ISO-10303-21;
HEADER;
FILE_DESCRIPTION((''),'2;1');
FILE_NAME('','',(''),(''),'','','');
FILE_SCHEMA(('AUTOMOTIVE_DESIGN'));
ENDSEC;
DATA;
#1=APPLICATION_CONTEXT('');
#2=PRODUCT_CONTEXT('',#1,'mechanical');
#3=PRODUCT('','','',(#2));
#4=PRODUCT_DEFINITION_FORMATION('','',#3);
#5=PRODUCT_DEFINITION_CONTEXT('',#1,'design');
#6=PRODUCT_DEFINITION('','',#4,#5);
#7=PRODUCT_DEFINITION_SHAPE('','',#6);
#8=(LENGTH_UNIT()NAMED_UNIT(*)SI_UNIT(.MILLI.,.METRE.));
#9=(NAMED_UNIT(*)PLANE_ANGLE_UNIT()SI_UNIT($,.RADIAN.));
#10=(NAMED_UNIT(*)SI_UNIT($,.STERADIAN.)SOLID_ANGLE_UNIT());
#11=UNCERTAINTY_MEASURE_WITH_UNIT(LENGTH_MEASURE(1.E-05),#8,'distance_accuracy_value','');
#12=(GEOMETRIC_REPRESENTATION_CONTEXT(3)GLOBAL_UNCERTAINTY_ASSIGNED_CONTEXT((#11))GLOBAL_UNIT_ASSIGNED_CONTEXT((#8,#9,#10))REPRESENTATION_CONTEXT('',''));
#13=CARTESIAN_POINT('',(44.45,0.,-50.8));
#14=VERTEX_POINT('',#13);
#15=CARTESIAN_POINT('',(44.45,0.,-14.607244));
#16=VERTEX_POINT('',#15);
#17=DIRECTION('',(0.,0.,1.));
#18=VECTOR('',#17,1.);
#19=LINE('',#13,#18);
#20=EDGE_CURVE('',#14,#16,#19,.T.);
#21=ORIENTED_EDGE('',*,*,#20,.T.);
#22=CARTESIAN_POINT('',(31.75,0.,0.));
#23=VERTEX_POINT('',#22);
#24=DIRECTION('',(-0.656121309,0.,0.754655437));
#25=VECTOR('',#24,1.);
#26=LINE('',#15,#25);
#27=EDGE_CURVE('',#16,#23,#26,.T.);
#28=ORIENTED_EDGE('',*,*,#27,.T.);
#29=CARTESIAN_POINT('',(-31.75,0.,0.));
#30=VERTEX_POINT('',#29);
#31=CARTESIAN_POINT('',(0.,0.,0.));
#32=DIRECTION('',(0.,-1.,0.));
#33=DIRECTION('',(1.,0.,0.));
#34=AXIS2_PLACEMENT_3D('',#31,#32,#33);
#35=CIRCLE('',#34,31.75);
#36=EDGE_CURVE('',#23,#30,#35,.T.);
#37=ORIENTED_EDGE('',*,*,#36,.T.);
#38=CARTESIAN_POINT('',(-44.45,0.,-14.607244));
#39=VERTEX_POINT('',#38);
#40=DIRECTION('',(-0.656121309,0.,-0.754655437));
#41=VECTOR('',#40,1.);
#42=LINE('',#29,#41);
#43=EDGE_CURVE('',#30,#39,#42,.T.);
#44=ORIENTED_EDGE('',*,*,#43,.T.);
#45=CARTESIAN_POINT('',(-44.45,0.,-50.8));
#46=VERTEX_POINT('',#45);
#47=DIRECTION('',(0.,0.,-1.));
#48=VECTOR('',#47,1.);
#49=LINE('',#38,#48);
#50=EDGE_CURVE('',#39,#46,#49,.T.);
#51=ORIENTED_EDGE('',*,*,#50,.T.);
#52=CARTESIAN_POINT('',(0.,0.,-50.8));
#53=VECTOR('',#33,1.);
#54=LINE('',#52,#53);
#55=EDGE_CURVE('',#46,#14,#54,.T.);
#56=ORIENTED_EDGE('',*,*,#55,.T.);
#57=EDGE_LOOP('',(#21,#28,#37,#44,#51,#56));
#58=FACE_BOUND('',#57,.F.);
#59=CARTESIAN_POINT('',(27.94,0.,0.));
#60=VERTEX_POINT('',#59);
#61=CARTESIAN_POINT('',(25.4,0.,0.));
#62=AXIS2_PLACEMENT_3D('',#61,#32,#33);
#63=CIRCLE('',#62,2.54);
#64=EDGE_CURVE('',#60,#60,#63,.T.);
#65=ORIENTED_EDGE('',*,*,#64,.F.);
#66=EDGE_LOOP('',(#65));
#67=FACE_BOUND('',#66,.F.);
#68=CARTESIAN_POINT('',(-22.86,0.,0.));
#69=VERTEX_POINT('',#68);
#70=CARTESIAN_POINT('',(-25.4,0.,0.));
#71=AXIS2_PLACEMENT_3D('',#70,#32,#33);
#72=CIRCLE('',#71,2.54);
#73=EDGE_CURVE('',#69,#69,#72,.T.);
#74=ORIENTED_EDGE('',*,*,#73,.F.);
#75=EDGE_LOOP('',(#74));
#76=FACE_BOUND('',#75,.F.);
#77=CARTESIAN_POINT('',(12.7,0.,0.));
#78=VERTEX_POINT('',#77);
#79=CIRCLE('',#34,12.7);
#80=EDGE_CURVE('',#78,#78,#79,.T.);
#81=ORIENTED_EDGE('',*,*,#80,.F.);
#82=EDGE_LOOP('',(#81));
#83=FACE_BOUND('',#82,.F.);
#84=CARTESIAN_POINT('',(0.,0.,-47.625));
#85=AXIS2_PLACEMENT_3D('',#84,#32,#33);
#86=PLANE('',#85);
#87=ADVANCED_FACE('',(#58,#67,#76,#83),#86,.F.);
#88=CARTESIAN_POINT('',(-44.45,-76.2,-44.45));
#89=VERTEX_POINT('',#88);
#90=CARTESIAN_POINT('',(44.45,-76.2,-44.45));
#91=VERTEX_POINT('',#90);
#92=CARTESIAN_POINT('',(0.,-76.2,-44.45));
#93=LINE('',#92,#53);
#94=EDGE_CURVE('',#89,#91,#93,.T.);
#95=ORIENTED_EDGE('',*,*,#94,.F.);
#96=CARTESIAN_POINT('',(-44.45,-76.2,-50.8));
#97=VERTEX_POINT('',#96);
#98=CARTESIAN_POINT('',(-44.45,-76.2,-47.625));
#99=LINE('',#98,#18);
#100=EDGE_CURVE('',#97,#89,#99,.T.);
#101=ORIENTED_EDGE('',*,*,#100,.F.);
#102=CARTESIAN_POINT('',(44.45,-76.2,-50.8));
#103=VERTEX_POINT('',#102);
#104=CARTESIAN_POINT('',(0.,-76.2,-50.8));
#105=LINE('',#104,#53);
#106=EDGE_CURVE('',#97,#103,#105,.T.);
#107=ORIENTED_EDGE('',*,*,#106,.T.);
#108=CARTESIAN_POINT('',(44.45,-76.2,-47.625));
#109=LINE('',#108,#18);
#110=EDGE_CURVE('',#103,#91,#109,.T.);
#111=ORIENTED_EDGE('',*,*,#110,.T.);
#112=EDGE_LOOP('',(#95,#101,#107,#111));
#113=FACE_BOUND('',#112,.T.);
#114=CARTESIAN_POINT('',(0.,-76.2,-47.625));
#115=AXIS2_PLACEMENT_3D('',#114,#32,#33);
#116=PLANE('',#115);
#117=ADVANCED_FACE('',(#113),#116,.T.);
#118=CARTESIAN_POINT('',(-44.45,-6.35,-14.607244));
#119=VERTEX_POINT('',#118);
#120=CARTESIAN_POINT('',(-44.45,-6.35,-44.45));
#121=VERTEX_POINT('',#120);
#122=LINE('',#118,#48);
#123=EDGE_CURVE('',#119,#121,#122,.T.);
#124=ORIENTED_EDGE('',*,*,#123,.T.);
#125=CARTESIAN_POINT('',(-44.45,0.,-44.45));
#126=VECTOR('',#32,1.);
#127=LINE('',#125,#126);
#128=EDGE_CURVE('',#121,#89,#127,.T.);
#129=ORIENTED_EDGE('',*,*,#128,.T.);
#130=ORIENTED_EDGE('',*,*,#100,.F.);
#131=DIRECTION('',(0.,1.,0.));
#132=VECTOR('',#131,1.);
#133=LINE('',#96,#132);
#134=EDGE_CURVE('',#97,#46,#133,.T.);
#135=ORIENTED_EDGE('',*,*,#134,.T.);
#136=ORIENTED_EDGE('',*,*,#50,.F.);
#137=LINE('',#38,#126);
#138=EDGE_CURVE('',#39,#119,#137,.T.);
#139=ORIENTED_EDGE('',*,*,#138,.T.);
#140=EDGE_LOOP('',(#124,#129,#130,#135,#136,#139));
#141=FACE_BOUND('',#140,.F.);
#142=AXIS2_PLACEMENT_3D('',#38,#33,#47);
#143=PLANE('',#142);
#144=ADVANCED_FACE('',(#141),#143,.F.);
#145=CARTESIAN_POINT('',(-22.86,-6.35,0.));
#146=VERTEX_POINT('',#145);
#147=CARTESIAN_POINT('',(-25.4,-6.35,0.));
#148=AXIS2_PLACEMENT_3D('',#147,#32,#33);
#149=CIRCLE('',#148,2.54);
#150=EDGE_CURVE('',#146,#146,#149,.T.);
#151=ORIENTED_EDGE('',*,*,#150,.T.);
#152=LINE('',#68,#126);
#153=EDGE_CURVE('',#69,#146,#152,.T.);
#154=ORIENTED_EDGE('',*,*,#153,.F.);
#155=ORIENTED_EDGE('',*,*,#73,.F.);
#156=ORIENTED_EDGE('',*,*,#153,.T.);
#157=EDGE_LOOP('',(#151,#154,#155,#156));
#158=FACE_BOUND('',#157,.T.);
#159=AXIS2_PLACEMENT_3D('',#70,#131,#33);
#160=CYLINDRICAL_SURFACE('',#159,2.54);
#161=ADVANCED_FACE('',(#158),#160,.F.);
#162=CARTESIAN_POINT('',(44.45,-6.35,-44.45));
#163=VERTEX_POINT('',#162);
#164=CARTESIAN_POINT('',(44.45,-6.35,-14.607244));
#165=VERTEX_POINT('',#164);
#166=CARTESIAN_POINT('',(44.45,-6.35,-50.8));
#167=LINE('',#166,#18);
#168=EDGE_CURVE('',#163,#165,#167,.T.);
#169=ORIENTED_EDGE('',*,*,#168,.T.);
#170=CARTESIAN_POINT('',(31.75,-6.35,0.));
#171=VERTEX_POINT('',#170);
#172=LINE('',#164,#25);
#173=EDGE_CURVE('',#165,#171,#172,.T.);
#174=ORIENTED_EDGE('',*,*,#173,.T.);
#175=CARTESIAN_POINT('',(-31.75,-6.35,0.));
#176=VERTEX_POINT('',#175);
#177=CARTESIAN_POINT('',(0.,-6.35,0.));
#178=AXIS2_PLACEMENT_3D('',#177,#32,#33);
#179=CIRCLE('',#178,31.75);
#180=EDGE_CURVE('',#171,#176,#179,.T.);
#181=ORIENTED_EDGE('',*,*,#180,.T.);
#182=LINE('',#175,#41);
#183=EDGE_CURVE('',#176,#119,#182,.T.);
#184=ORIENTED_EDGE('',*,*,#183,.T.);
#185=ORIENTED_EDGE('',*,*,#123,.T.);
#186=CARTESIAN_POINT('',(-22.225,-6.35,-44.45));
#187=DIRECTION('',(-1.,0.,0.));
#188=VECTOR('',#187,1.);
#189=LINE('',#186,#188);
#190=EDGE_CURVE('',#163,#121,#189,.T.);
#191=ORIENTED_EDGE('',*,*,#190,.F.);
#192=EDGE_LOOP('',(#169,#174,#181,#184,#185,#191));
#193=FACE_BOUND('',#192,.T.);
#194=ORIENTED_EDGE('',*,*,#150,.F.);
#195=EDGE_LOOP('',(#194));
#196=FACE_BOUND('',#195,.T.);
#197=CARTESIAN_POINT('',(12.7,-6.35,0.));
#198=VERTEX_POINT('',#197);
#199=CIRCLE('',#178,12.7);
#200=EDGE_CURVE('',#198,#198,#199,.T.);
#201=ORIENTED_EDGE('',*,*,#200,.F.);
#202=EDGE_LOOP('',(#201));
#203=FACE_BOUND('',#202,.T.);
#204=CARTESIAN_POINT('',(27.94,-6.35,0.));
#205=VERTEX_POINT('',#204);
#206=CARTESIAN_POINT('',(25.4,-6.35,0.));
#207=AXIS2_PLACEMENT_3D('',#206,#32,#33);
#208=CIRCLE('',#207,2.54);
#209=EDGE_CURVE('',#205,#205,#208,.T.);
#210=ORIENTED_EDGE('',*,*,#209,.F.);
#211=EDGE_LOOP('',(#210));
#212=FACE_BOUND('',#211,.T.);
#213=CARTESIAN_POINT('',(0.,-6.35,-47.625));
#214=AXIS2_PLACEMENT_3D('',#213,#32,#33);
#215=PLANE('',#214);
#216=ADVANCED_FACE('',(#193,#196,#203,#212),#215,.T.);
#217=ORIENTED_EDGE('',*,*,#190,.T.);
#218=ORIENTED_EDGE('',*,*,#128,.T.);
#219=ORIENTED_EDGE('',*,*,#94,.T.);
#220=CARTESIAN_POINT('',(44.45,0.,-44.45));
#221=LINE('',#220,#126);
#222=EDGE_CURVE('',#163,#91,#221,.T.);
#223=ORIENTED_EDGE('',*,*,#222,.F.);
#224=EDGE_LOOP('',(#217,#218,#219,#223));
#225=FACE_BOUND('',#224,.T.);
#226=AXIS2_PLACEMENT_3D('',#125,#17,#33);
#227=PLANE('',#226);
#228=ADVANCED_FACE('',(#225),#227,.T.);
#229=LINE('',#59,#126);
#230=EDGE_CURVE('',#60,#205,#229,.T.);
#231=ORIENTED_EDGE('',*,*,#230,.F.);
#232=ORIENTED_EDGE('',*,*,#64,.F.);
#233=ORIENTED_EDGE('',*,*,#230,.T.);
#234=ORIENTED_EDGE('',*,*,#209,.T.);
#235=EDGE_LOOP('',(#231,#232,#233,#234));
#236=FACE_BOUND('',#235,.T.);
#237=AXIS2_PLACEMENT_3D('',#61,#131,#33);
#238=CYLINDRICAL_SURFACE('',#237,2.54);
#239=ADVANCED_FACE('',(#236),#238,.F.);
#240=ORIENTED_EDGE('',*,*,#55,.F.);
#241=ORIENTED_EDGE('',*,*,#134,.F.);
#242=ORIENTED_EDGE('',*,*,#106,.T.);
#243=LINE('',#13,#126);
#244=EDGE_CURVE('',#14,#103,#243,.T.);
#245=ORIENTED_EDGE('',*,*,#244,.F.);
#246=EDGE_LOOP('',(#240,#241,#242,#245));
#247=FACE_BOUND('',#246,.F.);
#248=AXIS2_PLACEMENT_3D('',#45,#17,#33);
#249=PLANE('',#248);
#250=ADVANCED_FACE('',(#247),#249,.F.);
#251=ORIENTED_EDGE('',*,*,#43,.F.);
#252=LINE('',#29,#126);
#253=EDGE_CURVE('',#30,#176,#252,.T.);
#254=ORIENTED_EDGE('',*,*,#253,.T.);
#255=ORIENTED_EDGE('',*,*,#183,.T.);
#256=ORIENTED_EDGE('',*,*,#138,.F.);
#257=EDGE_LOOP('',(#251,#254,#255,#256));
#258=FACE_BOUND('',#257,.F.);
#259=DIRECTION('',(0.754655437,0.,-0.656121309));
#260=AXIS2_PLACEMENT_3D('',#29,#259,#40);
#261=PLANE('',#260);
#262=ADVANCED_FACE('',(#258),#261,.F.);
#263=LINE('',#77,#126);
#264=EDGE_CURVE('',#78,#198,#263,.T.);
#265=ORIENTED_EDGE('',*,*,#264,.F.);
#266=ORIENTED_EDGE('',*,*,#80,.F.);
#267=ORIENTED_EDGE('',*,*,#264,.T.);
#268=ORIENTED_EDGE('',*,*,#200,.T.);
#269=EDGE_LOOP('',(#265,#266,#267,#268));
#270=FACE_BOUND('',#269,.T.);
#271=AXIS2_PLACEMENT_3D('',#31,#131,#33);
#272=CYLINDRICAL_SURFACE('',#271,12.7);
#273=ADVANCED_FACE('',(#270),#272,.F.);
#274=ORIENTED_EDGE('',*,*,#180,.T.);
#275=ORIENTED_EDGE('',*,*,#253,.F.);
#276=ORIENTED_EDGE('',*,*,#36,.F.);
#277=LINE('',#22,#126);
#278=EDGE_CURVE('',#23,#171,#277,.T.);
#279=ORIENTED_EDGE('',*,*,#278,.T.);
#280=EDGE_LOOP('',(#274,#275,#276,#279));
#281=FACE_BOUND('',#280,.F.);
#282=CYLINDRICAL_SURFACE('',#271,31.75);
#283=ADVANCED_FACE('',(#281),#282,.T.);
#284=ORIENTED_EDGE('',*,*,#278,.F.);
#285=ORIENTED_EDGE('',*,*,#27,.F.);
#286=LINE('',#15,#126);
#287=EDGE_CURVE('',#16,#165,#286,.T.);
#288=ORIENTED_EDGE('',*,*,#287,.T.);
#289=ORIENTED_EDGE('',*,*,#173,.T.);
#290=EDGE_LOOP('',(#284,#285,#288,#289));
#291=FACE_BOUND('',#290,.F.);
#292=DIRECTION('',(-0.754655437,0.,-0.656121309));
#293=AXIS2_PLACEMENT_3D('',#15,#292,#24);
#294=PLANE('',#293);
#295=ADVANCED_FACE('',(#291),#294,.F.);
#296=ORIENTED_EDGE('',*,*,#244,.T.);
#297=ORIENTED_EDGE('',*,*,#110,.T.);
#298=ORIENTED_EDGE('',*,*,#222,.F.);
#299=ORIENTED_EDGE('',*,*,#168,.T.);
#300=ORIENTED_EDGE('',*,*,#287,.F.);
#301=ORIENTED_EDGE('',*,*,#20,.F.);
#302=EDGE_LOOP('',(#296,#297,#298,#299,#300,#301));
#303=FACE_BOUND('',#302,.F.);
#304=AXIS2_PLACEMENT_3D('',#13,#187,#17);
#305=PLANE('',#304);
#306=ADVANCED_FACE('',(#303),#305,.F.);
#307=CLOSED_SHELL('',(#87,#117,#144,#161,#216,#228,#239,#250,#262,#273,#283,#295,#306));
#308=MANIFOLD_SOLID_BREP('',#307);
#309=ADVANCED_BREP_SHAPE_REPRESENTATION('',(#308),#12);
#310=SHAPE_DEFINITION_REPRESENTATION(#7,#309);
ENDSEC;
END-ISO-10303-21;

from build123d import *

# Parameters (mm, degrees)
F0_W     = 88.9
F0_H     = 6.35
F0_R     = 2.54
F0_R_2   = 12.7
F1_DEPTH = 6.35
F2_DEPTH = 76.2


with BuildPart() as f1:
    # F0 (on Front) → F1 (new body)
    with BuildSketch(Plane.XZ):
        with Locations((0, -47.625)):
            Rectangle(F0_W, F0_H)
        with BuildLine():
            Line((44.45, -14.607244), (31.75, 0))
            ThreePointArc((31.75, 0), (0, -31.75), (-31.75, 0))
            Line((-31.75, 0), (-44.45, -14.607244))
            Line((-44.45, -14.607244), (-44.45, -44.45))
            Line((-44.45, -44.45), (44.45, -44.45))
            Line((44.45, -44.45), (44.45, -14.607244))
        make_face()
        with BuildLine():
            ThreePointArc((-31.75, 0), (0, -31.75), (31.75, 0))
            ThreePointArc((31.75, 0), (0, 31.75), (-31.75, 0))
        make_face()
        with Locations((-25.4, 0)):
            Circle(F0_R, mode=Mode.SUBTRACT)
        Circle(F0_R_2, mode=Mode.SUBTRACT)
        with Locations((25.4, 0)):
            Circle(F0_R, mode=Mode.SUBTRACT)
    extrude(amount=F1_DEPTH)

    # F0 (on Front) → F2 (join)
    with BuildSketch(Plane.XZ):
        with Locations((0, -47.625)):
            Rectangle(F0_W, F0_H)
    extrude(amount=F2_DEPTH)


solid = f1.part
